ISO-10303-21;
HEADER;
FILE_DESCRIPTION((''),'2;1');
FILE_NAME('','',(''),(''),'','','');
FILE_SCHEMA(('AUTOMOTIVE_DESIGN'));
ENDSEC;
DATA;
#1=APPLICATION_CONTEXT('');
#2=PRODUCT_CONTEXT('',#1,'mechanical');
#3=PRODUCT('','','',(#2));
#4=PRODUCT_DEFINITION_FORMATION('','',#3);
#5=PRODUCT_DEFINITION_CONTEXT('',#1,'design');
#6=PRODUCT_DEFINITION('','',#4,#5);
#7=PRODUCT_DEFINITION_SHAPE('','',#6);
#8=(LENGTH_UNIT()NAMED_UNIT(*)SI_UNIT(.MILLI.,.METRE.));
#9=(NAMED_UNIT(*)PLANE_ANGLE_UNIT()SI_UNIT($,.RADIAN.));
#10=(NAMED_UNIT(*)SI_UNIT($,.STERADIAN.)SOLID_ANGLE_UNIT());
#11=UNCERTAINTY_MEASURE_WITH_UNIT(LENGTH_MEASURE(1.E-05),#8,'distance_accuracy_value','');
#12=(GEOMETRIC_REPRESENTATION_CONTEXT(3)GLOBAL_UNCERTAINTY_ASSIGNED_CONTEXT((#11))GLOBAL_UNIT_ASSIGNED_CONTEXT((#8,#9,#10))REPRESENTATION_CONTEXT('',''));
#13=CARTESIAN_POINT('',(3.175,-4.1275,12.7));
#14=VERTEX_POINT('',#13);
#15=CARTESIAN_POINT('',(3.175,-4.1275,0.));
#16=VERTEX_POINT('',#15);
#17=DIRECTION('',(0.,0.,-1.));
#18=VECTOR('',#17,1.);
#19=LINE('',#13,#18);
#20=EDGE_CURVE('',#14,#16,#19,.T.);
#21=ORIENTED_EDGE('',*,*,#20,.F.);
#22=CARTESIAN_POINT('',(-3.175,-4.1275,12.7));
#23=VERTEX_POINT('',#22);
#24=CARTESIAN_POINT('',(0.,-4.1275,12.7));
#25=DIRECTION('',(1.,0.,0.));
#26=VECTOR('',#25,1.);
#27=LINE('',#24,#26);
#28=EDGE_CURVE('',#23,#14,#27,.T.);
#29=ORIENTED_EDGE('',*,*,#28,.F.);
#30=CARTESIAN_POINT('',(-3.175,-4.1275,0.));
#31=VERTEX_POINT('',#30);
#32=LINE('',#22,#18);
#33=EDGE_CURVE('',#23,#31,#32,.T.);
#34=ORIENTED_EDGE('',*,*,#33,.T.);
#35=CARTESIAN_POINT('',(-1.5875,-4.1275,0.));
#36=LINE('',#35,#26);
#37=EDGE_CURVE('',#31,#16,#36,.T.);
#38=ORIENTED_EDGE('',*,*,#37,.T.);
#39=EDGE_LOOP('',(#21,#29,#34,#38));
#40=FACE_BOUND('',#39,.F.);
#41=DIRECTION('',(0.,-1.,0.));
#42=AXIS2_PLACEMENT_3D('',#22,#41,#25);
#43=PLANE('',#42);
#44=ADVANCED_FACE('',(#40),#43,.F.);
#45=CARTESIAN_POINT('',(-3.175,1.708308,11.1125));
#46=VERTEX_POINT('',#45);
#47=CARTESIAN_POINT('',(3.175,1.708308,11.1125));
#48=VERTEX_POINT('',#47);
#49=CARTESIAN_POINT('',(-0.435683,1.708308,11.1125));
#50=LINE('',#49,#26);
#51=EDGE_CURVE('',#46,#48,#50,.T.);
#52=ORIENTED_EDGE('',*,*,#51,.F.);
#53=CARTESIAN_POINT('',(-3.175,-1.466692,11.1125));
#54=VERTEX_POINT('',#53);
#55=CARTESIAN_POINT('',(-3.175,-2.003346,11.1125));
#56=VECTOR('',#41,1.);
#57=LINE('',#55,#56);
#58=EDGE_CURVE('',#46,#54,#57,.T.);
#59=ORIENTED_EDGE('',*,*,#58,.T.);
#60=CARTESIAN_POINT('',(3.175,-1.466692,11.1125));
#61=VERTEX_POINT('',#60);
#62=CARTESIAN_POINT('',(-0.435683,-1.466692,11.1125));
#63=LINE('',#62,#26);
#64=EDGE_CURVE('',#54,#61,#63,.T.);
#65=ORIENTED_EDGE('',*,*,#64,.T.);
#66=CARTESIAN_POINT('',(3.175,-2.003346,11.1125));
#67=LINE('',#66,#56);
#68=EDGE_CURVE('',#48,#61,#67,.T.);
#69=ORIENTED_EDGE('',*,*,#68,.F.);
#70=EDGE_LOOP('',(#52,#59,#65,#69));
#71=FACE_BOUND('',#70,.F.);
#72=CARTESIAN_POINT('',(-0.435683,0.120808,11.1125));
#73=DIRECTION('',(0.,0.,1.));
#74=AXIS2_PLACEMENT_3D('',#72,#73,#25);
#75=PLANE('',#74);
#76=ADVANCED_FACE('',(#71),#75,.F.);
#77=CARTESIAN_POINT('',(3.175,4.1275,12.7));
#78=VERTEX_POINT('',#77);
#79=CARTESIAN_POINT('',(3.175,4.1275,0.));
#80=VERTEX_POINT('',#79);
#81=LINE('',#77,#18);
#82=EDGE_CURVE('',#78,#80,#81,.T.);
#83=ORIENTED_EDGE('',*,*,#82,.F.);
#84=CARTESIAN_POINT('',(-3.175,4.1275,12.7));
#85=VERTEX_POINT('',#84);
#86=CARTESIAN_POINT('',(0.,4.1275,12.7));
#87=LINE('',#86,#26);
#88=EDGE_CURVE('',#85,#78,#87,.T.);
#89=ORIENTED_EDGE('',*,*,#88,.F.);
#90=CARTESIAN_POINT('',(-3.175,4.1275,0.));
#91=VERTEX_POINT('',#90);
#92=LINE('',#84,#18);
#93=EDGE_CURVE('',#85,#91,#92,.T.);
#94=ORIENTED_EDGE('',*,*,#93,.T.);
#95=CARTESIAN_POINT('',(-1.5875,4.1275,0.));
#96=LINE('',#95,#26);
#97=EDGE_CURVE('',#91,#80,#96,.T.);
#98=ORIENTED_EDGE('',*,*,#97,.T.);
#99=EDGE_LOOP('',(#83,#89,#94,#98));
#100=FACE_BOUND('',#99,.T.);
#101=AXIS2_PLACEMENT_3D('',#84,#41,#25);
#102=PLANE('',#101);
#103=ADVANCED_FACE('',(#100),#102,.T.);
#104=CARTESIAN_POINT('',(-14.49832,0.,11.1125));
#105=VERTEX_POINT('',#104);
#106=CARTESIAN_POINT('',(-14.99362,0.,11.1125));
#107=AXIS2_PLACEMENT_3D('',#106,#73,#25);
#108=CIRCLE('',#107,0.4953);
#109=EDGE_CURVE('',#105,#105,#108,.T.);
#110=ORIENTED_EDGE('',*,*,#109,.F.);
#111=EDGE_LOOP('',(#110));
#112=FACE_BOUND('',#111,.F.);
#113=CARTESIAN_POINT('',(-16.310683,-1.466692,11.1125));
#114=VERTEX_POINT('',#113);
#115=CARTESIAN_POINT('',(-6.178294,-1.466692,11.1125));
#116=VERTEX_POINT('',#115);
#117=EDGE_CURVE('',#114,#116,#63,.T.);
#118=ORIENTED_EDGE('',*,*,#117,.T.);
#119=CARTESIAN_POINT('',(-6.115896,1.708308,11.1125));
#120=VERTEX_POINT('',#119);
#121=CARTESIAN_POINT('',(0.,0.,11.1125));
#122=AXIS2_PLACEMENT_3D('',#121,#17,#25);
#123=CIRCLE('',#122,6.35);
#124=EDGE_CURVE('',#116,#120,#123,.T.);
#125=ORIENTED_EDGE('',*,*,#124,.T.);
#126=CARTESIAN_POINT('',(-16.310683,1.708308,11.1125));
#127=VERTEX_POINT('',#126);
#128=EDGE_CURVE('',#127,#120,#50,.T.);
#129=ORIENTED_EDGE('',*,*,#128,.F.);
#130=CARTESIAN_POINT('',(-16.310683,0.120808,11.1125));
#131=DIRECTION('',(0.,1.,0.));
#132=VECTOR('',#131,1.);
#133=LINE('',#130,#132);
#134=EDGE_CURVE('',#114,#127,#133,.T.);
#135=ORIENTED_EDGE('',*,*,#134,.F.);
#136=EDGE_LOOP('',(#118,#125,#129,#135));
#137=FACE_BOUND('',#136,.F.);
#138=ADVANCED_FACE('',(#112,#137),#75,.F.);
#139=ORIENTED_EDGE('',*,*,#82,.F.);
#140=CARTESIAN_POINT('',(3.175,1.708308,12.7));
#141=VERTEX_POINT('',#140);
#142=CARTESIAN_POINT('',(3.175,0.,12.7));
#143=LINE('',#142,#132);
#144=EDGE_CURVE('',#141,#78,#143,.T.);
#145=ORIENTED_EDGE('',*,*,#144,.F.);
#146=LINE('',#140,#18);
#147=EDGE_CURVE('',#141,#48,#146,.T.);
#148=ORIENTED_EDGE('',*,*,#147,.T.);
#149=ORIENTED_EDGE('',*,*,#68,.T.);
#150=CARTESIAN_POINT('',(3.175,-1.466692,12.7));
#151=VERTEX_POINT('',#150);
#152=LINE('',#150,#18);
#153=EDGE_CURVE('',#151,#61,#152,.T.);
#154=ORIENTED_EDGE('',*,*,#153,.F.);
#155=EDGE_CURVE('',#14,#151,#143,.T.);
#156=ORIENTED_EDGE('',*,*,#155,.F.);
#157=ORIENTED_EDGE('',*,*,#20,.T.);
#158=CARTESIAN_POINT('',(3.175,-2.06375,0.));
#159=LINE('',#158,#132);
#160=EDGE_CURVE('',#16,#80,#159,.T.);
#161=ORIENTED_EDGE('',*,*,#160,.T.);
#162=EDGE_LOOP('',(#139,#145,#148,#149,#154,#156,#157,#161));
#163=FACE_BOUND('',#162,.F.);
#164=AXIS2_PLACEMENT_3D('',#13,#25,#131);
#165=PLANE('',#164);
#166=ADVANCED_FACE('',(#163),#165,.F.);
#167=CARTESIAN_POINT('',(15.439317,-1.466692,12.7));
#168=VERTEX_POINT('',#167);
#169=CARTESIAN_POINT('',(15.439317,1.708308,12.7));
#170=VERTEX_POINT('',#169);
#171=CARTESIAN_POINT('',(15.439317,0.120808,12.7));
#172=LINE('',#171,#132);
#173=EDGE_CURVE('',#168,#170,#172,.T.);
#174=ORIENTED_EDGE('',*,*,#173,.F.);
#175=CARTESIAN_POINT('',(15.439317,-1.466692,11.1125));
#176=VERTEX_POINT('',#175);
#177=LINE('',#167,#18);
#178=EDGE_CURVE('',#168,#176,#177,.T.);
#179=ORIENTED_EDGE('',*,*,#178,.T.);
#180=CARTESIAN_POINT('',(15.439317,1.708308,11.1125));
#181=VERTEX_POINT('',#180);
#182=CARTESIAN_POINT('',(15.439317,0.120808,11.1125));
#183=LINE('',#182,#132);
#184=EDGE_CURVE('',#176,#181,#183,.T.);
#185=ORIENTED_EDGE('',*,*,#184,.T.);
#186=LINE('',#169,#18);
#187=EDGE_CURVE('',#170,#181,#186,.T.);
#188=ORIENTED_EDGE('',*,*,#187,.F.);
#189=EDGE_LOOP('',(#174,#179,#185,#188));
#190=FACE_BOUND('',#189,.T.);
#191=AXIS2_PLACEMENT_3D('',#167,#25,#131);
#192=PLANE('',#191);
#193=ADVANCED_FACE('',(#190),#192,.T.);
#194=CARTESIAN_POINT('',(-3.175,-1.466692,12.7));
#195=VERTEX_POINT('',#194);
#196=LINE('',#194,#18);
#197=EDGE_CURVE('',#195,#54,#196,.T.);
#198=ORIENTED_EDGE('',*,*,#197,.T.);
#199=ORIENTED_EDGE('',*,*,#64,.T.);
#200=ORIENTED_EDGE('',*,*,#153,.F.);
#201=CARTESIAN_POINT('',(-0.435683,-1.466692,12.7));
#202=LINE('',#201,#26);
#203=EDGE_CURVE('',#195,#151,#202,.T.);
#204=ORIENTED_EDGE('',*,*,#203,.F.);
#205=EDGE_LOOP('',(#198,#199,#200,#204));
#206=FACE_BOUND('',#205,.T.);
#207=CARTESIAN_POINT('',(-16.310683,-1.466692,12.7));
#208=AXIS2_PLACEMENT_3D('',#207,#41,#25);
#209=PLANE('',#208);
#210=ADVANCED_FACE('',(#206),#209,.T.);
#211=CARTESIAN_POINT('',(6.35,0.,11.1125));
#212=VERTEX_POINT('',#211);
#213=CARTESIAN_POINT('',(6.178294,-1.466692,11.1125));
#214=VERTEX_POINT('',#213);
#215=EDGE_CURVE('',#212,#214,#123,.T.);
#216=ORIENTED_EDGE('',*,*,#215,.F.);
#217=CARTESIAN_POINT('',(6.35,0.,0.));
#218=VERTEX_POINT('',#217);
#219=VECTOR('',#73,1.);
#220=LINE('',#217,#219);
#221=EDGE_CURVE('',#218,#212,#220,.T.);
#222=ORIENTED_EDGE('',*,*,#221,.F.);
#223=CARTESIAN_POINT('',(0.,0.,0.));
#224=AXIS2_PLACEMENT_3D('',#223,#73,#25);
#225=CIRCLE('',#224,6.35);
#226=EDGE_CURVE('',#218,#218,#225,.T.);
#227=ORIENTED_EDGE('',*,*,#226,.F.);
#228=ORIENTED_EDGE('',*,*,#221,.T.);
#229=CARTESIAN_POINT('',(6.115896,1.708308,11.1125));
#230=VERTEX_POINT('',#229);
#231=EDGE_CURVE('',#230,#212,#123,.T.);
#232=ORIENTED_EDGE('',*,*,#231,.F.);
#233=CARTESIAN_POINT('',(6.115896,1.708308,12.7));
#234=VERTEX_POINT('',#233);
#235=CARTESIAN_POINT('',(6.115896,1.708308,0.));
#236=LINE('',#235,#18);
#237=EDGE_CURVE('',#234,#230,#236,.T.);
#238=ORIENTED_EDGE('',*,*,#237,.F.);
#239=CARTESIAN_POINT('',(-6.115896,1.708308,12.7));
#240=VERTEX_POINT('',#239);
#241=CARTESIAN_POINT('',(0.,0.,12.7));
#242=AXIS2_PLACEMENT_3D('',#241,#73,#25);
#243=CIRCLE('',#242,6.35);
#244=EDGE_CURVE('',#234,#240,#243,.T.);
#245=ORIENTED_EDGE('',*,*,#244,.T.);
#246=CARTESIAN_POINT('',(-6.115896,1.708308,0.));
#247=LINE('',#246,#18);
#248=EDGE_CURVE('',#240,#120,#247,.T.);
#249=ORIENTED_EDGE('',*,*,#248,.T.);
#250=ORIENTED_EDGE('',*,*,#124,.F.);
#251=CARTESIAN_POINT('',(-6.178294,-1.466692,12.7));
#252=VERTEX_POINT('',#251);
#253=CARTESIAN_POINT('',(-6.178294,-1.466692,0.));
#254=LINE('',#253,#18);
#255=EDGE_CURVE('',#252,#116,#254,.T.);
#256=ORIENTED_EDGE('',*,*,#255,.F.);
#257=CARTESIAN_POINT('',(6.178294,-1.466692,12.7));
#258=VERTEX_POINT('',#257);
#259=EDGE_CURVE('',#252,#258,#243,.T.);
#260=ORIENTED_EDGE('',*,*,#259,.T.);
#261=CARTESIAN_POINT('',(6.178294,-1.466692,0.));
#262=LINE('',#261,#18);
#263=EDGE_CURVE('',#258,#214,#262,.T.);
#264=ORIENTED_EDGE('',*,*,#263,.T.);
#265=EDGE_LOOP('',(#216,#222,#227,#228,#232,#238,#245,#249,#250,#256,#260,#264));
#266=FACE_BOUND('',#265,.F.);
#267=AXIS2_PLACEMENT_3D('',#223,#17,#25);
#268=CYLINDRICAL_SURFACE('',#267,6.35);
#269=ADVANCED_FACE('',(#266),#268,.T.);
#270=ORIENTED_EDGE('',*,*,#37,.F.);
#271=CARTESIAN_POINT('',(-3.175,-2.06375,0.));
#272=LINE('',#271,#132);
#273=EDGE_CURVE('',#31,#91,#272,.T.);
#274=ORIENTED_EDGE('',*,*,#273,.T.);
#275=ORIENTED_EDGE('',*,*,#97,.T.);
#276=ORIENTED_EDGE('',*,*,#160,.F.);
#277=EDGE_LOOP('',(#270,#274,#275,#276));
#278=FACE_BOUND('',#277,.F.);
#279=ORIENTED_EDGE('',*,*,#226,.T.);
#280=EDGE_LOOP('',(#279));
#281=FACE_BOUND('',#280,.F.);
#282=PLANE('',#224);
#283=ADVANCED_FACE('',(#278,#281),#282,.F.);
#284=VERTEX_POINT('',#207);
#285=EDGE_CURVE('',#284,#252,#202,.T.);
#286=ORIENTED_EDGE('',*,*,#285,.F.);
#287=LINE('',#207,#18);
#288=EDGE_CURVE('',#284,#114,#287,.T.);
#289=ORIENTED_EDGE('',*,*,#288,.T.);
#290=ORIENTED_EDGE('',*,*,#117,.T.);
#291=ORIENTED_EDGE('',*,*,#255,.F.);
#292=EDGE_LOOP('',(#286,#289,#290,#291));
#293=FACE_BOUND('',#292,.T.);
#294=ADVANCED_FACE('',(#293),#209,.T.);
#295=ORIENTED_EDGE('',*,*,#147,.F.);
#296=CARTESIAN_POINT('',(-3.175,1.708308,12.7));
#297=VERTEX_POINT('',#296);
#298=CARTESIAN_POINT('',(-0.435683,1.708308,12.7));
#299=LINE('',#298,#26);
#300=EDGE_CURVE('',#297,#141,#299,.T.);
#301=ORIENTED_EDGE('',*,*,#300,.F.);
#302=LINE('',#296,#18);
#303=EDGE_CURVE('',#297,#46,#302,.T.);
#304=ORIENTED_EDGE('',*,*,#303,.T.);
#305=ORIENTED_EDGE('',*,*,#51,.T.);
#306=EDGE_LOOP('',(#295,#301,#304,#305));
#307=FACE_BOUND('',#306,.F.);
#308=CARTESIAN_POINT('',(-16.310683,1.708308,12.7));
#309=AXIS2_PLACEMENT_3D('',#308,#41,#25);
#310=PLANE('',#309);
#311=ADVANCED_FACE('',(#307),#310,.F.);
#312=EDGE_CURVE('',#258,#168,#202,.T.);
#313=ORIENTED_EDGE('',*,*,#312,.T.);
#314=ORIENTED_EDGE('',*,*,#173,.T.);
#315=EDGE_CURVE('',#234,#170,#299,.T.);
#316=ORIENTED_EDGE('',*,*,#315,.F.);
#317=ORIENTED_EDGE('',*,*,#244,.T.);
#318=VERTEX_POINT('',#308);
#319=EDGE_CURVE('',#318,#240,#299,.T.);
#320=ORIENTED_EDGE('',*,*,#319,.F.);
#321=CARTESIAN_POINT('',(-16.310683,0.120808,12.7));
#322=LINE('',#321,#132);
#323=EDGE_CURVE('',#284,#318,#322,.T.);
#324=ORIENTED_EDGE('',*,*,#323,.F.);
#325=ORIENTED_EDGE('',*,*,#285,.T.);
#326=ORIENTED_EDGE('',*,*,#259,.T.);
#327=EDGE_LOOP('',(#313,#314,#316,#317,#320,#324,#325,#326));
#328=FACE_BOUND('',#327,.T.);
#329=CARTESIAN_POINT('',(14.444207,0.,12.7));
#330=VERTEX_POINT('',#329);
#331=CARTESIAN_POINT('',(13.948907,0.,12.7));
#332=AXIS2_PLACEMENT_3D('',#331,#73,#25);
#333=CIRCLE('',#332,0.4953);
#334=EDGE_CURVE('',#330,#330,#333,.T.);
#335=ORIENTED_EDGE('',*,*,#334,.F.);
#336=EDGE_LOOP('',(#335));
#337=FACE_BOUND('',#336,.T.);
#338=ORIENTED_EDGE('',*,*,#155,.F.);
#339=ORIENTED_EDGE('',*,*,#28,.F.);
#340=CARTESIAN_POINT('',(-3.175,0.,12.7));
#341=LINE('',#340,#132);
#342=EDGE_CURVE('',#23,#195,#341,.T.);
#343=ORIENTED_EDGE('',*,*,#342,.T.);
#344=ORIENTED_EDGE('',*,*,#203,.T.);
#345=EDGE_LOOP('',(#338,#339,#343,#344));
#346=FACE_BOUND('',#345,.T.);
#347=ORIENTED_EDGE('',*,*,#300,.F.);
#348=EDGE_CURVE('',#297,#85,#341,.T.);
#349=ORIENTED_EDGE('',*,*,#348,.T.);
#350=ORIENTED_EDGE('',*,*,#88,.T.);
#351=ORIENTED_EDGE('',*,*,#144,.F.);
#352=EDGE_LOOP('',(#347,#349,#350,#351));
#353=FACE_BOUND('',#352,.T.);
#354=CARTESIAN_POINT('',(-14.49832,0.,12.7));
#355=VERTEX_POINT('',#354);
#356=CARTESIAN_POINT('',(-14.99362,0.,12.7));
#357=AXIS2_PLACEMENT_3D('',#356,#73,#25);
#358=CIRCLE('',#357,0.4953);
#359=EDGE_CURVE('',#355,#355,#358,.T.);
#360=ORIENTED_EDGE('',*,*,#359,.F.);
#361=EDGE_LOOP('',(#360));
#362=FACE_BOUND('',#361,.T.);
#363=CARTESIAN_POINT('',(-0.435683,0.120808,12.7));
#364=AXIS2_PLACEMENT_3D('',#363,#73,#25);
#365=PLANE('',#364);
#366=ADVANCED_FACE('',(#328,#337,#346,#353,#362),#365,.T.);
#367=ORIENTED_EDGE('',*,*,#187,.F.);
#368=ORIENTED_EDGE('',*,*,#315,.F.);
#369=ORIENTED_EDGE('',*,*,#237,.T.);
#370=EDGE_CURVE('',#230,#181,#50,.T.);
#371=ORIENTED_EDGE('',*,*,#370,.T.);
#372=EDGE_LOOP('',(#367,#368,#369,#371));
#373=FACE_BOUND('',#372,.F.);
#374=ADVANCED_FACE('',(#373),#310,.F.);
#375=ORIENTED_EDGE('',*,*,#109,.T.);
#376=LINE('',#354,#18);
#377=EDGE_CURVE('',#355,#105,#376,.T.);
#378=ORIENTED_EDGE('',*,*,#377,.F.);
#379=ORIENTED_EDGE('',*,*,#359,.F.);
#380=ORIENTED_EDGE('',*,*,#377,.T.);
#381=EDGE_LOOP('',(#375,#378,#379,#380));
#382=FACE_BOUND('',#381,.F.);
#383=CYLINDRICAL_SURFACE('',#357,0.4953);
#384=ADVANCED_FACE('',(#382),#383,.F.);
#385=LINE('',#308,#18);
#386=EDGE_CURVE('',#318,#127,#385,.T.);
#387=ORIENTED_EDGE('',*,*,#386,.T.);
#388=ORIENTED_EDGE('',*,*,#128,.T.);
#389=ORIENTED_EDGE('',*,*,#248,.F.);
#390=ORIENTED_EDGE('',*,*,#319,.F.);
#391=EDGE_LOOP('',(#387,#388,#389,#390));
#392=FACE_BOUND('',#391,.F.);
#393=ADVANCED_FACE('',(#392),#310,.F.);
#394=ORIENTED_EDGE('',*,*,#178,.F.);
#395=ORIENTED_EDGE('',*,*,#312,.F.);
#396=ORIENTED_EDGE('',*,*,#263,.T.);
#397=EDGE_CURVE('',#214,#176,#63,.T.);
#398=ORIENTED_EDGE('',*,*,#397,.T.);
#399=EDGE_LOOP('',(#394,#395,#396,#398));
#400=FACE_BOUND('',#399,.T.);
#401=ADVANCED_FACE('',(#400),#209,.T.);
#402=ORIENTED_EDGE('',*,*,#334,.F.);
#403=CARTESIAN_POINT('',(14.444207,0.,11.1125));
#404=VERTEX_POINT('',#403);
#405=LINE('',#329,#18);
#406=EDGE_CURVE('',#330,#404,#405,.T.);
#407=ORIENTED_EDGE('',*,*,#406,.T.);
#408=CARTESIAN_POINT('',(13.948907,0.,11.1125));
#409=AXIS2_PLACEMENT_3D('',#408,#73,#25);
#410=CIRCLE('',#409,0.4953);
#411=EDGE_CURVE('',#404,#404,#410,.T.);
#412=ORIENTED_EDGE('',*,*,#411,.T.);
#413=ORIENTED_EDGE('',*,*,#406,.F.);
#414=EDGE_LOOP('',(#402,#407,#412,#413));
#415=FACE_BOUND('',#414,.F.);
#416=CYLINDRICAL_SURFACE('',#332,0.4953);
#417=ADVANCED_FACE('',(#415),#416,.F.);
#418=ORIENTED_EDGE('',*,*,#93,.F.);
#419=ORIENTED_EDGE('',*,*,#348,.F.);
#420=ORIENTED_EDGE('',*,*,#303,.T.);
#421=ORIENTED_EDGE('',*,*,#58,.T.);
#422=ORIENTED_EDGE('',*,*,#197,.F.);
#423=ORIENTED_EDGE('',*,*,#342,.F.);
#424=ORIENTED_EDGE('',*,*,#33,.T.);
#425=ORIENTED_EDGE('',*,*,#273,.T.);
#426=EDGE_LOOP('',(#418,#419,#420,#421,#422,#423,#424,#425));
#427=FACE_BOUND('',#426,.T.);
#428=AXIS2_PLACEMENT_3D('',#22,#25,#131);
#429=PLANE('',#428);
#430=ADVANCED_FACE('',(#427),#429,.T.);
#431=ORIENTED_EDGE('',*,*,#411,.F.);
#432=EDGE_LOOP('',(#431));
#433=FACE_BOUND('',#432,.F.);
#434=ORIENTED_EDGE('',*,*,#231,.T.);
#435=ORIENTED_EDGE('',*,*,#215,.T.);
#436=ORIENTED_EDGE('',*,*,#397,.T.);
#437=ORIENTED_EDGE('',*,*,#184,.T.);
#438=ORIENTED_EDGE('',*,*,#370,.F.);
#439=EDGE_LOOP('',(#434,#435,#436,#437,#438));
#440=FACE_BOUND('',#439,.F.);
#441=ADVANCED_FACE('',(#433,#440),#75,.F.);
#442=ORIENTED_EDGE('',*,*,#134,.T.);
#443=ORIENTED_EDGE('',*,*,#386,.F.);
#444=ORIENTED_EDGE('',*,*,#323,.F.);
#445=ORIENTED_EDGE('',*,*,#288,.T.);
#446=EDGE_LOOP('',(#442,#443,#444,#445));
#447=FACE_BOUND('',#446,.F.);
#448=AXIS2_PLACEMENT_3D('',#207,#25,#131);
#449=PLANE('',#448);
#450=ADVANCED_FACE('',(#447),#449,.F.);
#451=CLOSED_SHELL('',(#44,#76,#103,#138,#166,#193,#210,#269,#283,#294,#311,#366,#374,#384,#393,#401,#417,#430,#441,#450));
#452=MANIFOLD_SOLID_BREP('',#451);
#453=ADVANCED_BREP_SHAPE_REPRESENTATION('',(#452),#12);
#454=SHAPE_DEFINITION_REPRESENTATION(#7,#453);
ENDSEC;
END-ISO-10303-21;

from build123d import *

# Parameters (mm, degrees)
F0_R      = 6.35
F1_DEPTH  = 12.7
F2_W      = 6.35
F2_H      = 8.255
F3_DEPTH  = 25.4
F4_W      = 31.75
F4_H      = 3.175
F5_DEPTH  = 1.5875
F6_R      = 0.4953
F7_DEPTH  = 1.5875
F9_R      = 0.4953
F10_DEPTH = 25.4


with BuildPart() as f1:
    # F0 (on Top) → F1 (new body)
    with BuildSketch(Plane.XY):
        Circle(F0_R)
    extrude(amount=F1_DEPTH)

    # F2 (on face) → F3 (cut)
    with BuildSketch(Plane.XY.offset(12.7)):
        Rectangle(F2_W, F2_H)
    extrude(amount=-F3_DEPTH, mode=Mode.SUBTRACT)

    # F4 (on face) → F5 (join)
    with BuildSketch(Plane.XY.offset(12.7)):
        with Locations((-0.4356827326, 0.1208083219)):
            Rectangle(F4_W, F4_H)
    extrude(amount=-F5_DEPTH)

    # F6 (on face) → F7 (cut)
    with BuildSketch(Plane.XY.offset(12.7)):
        with Locations((13.9489074385, 0)):
            Circle(F6_R)
    extrude(amount=-F7_DEPTH, mode=Mode.SUBTRACT)

    # F9 (on face) → F10 (cut)
    with BuildSketch(Plane.XY.offset(12.7)):
        with Locations((-14.99362, 0)):
            Circle(F9_R)
    extrude(amount=-F10_DEPTH, mode=Mode.SUBTRACT)


solid = f1.part
